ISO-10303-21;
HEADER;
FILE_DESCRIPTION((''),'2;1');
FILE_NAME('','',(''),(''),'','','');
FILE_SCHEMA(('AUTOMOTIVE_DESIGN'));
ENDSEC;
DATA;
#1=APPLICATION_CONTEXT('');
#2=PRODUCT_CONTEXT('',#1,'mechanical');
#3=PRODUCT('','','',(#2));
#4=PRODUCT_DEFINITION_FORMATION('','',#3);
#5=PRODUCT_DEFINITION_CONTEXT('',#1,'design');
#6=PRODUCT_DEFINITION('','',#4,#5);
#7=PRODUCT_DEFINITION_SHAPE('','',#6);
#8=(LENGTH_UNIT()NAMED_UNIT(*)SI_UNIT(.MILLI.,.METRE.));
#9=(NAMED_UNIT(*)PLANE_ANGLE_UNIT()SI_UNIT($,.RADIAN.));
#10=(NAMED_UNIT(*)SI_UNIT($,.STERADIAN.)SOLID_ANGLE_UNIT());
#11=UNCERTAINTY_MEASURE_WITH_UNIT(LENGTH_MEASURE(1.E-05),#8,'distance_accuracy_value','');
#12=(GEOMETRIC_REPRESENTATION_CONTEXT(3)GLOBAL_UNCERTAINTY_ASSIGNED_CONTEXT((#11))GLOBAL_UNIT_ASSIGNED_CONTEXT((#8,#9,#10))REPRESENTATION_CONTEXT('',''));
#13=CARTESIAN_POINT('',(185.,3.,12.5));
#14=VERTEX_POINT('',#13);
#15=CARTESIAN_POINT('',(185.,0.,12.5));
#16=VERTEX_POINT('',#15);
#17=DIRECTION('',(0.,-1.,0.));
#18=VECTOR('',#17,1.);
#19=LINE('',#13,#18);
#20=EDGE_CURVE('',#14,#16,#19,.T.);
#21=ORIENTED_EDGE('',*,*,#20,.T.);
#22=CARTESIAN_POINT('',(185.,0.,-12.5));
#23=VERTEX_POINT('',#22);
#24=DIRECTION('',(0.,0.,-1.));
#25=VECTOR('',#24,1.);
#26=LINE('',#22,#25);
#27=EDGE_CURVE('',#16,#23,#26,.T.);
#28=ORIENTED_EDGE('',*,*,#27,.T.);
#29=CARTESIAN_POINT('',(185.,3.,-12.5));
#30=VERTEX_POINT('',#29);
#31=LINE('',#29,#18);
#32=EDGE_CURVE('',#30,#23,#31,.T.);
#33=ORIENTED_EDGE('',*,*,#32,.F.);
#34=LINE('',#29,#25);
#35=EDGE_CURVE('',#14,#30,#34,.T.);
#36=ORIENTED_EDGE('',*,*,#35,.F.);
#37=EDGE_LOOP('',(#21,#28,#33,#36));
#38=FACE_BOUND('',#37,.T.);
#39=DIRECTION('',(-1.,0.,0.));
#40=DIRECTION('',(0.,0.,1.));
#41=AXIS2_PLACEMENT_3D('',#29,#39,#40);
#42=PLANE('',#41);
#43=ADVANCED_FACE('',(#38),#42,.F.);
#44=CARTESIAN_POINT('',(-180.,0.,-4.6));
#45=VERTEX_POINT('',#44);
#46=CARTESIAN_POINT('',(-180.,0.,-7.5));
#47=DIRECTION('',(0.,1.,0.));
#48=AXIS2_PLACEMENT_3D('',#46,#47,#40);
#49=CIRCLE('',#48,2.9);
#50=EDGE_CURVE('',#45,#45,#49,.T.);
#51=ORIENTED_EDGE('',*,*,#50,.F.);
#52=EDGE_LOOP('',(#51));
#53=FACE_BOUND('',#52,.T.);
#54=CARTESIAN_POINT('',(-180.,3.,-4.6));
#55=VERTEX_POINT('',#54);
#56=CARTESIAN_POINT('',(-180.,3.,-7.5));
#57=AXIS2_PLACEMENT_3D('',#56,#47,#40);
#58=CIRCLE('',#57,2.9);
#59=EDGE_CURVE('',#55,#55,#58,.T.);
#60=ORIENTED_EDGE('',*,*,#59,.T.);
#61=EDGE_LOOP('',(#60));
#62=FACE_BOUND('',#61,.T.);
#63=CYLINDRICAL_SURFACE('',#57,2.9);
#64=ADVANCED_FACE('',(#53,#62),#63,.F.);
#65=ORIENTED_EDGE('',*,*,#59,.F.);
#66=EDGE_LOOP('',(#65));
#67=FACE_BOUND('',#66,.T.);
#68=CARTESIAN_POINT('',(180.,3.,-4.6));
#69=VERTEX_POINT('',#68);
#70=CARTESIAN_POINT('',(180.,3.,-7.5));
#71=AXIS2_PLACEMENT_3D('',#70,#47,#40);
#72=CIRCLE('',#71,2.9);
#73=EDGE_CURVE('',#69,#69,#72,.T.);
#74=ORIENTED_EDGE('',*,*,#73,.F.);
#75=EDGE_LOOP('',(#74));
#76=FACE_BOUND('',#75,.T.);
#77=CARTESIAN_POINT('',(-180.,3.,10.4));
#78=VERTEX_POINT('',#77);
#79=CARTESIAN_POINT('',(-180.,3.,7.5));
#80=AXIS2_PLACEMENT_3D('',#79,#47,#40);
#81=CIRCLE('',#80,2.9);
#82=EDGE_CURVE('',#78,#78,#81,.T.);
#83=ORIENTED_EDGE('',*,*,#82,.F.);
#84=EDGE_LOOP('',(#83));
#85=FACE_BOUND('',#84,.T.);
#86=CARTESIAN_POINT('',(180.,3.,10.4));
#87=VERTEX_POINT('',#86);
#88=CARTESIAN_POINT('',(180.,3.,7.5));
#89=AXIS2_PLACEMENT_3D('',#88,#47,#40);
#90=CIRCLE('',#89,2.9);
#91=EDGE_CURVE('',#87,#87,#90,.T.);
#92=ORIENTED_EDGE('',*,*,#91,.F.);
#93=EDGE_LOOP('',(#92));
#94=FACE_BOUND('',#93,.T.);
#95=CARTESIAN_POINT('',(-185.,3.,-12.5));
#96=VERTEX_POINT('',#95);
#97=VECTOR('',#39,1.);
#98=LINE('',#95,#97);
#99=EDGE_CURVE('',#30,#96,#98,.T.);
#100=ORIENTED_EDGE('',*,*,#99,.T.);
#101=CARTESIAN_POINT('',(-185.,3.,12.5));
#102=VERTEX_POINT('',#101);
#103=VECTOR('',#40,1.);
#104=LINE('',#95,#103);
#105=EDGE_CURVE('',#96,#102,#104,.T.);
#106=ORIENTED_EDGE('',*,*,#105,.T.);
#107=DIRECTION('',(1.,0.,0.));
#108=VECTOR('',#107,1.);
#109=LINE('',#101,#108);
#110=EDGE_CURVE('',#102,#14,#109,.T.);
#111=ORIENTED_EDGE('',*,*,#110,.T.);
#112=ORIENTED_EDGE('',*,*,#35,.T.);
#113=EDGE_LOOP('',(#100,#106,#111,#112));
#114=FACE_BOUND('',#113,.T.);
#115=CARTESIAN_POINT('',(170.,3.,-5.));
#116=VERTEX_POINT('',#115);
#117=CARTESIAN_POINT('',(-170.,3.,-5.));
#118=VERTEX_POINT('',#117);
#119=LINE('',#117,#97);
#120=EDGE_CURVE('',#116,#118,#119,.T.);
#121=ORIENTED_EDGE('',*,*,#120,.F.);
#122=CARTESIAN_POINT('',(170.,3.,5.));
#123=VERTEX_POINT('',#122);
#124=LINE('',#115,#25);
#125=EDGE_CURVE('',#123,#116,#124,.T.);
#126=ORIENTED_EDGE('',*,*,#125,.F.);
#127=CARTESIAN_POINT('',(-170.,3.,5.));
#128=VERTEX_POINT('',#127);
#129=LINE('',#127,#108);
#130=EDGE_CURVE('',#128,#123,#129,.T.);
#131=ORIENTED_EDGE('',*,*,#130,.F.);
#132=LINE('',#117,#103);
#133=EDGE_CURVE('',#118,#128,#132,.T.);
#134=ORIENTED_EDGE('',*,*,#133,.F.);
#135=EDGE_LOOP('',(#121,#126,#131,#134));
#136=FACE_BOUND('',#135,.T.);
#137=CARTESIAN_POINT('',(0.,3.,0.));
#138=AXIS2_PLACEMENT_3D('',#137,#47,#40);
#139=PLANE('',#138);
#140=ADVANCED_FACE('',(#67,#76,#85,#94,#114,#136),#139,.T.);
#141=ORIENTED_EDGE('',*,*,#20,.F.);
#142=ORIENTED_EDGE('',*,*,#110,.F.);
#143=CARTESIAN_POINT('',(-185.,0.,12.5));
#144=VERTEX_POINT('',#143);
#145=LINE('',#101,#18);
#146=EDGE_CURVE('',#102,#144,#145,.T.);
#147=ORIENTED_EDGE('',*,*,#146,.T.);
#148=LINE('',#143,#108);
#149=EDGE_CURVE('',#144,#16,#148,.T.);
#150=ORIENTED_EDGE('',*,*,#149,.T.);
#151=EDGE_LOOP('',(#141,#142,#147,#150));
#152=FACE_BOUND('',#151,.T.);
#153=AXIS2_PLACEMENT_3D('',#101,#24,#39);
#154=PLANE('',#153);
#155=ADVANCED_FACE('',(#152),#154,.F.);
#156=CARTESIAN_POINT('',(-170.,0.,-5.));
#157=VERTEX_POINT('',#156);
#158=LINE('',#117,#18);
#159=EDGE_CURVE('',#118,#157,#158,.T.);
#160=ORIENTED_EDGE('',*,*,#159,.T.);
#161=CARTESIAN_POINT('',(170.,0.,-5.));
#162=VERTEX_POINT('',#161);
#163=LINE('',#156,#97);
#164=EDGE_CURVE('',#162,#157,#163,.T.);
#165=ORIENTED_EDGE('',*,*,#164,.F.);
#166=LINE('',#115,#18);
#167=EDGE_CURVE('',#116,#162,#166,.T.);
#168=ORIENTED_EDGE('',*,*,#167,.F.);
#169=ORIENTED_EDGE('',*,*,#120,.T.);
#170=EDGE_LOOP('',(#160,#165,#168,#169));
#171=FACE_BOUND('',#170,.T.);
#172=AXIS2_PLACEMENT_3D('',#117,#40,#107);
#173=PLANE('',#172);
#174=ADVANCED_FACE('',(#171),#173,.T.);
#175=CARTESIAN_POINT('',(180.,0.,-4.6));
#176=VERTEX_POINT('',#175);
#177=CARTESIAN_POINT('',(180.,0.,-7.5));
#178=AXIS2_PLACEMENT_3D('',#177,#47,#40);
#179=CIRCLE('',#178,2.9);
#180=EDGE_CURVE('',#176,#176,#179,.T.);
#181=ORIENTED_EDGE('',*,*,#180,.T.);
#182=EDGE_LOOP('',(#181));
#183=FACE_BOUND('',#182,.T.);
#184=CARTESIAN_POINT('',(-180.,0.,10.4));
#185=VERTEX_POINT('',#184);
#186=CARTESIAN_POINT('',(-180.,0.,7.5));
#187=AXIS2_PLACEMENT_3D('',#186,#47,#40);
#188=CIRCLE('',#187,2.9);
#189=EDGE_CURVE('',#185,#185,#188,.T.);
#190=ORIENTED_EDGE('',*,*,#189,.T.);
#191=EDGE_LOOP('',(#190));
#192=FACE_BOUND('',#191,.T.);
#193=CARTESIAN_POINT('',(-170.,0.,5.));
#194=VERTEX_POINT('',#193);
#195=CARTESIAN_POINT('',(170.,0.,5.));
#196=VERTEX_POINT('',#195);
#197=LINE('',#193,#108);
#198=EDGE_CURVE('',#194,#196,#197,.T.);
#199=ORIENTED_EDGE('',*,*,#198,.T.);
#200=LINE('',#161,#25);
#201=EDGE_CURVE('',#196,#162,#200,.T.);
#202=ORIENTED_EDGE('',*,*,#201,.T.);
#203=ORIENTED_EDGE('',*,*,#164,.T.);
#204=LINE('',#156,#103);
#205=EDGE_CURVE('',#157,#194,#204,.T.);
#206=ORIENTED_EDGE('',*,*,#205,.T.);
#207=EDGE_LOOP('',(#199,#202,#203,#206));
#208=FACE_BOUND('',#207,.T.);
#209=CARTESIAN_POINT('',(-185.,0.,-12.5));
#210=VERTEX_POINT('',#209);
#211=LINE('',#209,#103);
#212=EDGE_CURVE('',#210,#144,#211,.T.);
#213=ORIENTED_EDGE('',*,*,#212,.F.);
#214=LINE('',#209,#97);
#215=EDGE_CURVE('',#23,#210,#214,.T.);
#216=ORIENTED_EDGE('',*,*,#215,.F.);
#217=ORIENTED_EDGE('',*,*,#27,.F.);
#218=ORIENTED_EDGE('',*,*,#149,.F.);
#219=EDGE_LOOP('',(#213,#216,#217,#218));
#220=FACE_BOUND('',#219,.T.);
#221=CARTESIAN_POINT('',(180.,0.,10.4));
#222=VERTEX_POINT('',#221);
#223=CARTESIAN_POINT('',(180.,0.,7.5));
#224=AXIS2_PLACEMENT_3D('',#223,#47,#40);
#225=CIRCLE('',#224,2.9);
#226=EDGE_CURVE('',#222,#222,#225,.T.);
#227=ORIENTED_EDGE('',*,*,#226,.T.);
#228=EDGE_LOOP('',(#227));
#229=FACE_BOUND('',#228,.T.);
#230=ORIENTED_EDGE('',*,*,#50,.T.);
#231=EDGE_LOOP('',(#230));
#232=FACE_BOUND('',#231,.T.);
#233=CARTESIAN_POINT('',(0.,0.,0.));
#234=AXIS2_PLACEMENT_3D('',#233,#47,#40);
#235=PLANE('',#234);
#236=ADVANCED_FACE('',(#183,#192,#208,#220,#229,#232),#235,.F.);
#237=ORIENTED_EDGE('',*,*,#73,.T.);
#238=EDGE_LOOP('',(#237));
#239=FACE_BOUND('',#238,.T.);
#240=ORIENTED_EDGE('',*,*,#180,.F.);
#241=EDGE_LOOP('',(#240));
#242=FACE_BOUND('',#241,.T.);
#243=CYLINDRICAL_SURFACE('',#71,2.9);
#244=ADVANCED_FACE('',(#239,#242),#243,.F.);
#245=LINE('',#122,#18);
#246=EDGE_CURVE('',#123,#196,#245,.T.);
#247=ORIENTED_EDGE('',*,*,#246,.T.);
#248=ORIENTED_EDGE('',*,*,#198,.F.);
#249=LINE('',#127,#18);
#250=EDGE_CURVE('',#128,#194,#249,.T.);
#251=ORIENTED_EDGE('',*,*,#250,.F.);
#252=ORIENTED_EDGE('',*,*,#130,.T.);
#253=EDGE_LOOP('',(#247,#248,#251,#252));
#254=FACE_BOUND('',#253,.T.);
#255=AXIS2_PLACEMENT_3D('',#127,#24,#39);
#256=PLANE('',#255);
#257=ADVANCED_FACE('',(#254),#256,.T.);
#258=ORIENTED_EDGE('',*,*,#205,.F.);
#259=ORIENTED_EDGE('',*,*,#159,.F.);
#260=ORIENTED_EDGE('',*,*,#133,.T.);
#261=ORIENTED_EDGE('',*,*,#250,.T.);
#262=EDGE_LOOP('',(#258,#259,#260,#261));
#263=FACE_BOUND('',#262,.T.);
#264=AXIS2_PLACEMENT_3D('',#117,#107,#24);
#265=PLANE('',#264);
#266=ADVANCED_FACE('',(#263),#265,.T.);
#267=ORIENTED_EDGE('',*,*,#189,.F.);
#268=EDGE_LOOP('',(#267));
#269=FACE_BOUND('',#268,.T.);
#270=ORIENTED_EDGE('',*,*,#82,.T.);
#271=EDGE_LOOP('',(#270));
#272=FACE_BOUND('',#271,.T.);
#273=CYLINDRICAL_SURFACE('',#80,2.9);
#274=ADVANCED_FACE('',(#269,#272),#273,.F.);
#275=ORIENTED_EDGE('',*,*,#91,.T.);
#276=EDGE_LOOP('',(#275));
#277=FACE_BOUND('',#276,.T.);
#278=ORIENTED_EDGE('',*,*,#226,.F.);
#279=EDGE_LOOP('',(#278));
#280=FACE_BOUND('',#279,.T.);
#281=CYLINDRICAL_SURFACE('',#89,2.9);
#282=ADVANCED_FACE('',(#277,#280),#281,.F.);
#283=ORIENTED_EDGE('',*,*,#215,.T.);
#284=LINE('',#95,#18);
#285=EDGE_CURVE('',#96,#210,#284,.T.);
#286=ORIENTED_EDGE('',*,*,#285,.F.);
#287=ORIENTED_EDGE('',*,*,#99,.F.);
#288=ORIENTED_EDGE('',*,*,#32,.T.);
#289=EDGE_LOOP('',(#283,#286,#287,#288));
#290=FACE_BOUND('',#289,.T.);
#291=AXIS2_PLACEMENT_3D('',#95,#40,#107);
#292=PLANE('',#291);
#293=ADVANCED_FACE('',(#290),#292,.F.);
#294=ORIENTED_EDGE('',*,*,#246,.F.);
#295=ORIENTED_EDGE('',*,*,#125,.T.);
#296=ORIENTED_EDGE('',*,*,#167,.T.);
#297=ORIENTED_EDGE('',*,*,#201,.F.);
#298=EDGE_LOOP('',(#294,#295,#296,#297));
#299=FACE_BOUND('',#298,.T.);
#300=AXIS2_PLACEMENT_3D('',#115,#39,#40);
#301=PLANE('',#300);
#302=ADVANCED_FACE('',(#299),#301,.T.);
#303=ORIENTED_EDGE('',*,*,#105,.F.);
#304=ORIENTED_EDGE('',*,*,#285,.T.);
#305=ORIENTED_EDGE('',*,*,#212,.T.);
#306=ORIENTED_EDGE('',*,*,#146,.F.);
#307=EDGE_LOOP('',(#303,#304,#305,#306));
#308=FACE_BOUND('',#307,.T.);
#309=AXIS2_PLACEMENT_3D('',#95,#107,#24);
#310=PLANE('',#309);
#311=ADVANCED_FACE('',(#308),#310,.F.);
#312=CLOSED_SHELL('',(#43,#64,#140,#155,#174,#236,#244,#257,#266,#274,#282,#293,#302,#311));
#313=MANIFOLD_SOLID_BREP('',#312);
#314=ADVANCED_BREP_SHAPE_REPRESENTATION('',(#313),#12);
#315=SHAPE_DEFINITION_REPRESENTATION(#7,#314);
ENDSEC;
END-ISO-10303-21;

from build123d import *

# Parameters (mm, degrees)
ESQUISSE1_W          = 370
ESQUISSE1_H          = 25
ESQUISSE1_W_2        = 340
ESQUISSE1_H_2        = 10
BOSS_EXTRU_1_DEPTH   = 3
D_GAGEMENT_M51_D     = 5.8
D_GAGEMENT_M51_DEPTH = 4


with BuildPart() as part:
    # Esquisse1 → Boss.-Extru.1 (new body)
    with BuildSketch(Plane(origin=(0, 0, 0), x_dir=(1, 0, 0), z_dir=(0, 1, 0))):
        Rectangle(ESQUISSE1_W, ESQUISSE1_H)
        Rectangle(ESQUISSE1_W_2, ESQUISSE1_H_2, mode=Mode.SUBTRACT)
    extrude(amount=BOSS_EXTRU_1_DEPTH)

    # Dégagement M51
    with Locations(Plane(origin=(0, 3, 0), x_dir=(1, 0, 0), z_dir=(0, 1, 0))):
        with Locations((-180, 7.5), (-180, -7.5), (180, -7.5), (180, 7.5)):
            Hole(D_GAGEMENT_M51_D / 2, depth=D_GAGEMENT_M51_DEPTH)


solid = part.part
